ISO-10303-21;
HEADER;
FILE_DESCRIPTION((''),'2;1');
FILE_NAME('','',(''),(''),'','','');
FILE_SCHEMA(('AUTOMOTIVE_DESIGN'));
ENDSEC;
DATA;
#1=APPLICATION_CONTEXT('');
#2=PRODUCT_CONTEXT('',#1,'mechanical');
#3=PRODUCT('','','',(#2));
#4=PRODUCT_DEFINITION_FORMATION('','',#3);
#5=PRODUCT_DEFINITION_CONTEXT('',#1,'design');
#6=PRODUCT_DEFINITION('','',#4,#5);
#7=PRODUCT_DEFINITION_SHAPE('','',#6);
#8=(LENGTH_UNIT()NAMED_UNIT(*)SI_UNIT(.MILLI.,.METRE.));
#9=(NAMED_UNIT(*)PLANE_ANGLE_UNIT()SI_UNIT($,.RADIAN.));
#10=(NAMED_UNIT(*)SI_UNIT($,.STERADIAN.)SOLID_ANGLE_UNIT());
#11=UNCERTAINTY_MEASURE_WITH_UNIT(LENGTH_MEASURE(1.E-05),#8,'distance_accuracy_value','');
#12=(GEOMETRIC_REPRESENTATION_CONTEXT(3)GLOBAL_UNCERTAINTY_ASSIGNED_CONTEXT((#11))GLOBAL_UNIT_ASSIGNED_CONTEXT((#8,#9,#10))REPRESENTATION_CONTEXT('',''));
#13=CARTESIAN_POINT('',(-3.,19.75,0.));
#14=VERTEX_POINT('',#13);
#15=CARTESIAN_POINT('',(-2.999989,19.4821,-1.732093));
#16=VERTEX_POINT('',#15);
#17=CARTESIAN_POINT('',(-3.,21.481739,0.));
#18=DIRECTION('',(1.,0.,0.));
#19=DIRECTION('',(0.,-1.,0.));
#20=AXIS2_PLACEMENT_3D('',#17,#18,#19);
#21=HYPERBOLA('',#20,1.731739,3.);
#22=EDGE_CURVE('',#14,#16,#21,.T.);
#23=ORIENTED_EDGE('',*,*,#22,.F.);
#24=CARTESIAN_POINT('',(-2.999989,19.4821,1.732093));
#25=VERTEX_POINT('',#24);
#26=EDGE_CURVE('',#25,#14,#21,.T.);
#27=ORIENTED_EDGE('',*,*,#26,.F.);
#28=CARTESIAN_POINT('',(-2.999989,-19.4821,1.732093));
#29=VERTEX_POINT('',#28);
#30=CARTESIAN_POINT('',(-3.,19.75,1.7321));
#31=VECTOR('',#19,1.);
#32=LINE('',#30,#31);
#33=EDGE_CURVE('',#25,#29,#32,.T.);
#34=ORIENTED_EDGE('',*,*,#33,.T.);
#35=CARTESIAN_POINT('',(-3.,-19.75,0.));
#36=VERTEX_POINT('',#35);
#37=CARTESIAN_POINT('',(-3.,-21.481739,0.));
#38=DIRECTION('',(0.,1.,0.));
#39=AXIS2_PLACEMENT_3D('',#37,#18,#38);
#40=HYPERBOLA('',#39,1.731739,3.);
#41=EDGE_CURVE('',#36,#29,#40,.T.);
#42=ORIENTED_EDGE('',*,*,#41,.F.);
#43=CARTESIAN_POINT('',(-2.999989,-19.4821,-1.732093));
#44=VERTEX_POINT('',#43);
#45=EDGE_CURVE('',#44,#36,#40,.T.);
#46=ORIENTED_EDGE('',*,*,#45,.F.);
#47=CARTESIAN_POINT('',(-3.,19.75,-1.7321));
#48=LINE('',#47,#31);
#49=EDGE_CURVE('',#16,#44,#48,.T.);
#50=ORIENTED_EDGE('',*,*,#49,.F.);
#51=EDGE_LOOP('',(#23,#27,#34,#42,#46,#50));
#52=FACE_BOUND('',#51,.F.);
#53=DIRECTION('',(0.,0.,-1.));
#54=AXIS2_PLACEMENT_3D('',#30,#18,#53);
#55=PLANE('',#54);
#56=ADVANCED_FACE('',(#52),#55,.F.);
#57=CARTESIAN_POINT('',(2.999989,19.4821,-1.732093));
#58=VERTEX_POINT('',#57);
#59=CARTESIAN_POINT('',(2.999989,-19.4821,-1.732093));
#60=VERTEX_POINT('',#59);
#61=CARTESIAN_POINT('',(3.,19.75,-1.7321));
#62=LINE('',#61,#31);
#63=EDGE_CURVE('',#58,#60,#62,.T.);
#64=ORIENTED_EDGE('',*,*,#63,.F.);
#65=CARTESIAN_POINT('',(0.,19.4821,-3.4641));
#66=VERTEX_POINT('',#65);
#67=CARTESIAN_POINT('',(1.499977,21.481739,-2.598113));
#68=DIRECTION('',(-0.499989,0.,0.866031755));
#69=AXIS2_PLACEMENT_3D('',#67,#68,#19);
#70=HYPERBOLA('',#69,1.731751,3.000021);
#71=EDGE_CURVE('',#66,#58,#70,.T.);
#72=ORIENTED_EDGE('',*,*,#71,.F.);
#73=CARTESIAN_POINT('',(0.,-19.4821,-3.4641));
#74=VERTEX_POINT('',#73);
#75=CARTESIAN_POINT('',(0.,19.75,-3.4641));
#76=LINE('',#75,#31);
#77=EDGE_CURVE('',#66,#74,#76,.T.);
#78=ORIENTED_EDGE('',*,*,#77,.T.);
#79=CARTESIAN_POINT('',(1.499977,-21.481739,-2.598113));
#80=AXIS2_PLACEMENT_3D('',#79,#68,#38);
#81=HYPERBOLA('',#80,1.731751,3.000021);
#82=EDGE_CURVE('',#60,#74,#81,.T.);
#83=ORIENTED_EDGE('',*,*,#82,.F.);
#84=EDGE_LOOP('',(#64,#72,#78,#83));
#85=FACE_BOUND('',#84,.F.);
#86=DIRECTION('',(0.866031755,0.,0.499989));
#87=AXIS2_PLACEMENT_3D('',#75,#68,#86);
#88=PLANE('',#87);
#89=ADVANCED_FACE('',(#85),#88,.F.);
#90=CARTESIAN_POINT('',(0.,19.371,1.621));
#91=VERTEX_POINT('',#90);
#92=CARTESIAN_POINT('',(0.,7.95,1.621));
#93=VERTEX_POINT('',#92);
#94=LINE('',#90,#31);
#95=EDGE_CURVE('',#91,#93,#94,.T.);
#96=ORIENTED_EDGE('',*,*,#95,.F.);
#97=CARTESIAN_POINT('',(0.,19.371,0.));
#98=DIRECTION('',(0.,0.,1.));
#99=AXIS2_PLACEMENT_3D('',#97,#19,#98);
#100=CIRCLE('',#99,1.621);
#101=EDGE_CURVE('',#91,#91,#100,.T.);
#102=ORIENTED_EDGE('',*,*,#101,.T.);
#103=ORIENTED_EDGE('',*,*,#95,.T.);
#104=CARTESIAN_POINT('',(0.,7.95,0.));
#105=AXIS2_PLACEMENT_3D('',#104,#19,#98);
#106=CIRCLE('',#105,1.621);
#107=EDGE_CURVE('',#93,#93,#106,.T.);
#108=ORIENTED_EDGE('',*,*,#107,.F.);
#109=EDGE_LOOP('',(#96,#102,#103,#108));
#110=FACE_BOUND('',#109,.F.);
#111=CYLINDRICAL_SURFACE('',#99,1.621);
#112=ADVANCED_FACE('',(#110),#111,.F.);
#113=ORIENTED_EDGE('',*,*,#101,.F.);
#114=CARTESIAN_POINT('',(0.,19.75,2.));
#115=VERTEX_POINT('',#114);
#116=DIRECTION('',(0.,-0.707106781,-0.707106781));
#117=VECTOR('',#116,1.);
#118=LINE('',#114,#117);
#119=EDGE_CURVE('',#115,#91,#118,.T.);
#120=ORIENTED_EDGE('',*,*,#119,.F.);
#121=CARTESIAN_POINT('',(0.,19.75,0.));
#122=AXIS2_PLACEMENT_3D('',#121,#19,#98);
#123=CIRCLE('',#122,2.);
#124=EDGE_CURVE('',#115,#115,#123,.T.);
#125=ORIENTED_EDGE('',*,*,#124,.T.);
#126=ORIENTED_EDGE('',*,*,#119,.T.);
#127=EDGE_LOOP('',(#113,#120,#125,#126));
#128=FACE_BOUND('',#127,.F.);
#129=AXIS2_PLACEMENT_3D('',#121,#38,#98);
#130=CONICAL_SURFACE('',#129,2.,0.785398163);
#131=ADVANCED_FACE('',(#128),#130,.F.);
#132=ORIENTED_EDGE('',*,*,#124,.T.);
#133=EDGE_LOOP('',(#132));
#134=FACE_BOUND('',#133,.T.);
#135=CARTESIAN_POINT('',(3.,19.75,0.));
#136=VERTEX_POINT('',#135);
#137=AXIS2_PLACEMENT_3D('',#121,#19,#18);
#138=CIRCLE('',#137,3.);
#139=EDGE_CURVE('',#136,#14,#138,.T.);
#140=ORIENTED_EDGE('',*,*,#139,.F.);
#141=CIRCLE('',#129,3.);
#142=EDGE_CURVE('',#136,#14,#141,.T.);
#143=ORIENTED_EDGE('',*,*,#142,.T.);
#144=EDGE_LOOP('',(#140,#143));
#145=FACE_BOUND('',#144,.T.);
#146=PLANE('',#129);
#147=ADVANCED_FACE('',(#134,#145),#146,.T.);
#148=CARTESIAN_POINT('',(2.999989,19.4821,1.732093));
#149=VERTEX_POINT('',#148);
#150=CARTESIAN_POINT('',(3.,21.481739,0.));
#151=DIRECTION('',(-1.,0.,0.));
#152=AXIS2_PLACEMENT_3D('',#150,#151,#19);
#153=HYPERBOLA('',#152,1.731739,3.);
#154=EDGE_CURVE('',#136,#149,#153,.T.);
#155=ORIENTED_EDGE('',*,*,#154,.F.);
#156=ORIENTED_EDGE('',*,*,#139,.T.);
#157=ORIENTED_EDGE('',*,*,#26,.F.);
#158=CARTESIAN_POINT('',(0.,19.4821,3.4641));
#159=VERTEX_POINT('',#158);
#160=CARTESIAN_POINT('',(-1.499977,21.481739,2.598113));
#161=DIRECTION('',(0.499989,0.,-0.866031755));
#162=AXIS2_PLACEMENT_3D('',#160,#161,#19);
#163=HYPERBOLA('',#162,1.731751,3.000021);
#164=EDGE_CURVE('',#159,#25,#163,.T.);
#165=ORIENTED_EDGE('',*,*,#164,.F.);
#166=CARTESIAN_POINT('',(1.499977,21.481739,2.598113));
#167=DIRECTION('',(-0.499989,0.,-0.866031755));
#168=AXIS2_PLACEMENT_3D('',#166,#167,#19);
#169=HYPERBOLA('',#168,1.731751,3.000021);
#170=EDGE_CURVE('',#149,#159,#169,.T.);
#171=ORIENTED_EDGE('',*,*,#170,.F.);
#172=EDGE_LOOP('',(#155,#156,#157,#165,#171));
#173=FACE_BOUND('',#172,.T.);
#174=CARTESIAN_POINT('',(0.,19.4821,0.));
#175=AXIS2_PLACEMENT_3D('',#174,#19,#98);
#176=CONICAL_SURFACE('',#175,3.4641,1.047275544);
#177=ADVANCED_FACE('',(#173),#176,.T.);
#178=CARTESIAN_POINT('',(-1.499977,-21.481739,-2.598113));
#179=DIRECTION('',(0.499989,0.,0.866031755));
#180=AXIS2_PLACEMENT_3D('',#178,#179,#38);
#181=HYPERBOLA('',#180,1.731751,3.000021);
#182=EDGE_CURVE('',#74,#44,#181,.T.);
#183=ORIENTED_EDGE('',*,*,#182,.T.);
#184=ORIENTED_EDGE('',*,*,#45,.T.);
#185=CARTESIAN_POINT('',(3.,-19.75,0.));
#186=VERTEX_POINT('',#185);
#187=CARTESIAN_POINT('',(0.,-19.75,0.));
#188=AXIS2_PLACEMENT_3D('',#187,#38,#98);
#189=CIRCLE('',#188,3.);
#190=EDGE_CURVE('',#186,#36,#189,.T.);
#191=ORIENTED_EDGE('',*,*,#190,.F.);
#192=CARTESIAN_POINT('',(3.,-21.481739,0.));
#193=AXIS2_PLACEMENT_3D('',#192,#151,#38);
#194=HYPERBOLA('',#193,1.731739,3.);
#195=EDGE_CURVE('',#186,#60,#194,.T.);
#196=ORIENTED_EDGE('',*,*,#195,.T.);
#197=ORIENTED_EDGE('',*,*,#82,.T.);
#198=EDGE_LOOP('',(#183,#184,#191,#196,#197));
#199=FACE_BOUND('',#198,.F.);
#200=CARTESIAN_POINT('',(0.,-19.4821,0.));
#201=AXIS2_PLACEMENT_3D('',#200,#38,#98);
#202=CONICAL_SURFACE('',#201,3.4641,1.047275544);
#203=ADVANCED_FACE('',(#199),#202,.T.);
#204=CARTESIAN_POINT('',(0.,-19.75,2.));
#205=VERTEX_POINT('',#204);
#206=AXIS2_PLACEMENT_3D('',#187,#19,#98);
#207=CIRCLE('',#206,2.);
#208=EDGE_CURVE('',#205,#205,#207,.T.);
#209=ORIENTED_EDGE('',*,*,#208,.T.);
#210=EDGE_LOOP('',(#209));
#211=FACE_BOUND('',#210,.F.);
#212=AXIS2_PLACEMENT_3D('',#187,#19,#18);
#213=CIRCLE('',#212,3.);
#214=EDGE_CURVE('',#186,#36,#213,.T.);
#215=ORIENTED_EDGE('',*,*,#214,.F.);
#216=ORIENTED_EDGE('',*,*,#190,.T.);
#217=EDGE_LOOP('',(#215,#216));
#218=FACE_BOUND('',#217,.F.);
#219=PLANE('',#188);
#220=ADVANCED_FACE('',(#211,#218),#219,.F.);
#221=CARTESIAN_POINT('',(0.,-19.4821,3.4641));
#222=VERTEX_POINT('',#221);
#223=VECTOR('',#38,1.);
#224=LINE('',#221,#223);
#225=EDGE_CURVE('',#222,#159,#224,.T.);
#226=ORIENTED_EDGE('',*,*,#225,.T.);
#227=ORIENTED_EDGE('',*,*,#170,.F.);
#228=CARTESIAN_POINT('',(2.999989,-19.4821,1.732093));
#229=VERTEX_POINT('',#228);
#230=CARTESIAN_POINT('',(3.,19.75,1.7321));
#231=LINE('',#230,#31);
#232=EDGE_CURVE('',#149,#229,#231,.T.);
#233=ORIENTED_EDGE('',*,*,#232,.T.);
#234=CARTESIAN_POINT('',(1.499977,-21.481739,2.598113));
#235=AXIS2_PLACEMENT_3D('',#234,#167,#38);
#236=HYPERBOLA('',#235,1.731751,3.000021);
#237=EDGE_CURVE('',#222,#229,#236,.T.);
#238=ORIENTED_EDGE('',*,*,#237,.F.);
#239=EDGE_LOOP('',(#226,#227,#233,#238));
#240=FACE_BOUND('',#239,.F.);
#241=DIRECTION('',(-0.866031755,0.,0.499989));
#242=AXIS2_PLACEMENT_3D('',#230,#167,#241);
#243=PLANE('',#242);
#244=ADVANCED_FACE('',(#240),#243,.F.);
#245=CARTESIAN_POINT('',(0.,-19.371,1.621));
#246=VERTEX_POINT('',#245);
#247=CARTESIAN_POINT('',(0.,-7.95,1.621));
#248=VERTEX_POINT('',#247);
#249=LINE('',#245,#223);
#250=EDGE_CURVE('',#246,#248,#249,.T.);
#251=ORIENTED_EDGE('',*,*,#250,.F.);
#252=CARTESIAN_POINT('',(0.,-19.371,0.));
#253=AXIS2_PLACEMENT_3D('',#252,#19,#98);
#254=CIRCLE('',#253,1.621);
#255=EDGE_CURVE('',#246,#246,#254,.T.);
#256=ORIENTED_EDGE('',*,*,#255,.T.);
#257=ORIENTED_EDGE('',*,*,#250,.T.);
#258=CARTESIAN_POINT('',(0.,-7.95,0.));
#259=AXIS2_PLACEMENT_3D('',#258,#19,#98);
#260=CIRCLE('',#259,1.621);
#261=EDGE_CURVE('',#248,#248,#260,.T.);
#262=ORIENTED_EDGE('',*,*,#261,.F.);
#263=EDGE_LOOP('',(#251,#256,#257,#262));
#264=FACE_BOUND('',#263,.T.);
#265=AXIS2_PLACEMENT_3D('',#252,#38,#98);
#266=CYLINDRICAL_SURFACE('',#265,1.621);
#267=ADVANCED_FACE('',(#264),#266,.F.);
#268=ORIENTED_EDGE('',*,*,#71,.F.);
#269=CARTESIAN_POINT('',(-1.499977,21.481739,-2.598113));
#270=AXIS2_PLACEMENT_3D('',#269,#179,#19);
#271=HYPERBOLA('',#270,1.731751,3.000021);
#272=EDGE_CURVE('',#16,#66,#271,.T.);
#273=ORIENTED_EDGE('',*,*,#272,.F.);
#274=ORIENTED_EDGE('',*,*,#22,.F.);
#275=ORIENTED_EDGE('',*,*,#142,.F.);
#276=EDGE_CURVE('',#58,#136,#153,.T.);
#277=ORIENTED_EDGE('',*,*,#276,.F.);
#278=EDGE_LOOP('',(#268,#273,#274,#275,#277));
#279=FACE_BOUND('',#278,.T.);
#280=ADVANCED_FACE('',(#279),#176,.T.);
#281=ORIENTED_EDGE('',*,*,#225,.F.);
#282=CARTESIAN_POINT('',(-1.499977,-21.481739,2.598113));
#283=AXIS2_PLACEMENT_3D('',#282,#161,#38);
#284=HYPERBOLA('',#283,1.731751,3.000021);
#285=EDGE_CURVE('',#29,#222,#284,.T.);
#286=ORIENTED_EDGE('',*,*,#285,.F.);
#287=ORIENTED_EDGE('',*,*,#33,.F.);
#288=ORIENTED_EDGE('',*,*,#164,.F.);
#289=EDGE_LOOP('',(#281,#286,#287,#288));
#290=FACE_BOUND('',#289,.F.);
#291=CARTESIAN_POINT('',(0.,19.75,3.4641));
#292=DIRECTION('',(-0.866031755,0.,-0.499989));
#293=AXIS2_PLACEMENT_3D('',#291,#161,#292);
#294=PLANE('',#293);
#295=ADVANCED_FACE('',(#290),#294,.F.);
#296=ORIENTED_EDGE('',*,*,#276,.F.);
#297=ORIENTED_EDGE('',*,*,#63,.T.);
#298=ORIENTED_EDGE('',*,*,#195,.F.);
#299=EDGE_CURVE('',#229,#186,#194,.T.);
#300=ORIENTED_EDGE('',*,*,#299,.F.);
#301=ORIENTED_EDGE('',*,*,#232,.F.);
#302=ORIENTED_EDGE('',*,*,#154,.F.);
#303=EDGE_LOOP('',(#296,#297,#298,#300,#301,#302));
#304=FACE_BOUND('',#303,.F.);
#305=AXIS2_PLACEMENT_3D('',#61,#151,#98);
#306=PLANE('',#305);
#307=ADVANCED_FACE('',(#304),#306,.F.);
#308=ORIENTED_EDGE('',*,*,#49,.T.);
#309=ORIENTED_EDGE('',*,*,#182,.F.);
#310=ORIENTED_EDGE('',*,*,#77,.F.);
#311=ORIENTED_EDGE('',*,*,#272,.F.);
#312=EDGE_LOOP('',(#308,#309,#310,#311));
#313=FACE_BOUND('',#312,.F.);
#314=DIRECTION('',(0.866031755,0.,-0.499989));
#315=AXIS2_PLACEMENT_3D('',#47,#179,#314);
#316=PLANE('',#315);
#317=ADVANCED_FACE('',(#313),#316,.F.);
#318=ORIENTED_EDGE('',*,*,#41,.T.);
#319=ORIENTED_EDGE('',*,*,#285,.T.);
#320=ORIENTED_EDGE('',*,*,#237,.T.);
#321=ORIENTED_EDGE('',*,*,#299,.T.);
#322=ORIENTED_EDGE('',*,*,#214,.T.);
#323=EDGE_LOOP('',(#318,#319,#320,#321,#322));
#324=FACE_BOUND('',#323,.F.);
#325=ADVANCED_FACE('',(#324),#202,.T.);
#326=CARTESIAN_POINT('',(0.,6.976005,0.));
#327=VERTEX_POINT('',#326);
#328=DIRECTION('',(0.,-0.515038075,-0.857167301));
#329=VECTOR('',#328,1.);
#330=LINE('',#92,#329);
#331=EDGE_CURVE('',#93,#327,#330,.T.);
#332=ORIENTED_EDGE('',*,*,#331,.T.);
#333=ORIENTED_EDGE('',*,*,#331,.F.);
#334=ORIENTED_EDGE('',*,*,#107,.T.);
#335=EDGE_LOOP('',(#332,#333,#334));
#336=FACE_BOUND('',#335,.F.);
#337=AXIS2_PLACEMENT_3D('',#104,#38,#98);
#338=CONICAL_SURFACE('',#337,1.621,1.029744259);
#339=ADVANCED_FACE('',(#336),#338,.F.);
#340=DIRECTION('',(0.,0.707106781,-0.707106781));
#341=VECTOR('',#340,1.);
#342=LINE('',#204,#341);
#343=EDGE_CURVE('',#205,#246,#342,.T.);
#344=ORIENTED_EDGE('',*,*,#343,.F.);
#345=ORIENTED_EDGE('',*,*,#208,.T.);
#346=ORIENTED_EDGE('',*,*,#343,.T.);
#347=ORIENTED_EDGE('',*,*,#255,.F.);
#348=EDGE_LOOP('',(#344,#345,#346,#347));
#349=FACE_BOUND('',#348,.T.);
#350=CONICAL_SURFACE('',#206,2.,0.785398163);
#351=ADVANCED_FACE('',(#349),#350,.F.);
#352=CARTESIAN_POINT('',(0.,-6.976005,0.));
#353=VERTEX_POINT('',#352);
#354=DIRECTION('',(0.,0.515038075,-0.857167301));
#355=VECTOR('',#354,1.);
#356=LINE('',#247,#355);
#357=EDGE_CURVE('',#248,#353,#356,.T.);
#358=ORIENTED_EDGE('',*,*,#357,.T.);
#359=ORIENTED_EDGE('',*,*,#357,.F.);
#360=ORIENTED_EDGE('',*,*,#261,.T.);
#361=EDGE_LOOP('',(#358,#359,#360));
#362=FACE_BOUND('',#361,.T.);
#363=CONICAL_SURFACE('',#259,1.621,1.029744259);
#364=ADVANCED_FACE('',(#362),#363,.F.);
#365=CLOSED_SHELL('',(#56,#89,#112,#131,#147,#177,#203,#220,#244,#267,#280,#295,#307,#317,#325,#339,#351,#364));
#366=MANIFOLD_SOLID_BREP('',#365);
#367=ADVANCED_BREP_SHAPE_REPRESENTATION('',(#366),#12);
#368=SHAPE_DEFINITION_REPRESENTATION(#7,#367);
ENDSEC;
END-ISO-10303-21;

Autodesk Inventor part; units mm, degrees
ref_plane "YZ Plane" through (0, 0, 0) normal (1, 0, 0) x (0, 1, 0)
ref_plane "XZ Plane" through (0, 0, 0) normal (0, 1, 0) x (-1, 0, 0)
ref_plane "XY Plane" through (0, 0, 0) normal (0, 0, 1) x (1, 0, 0)
sketch "スケッチ1" plane through (0, 0, 0) normal (1, 0, 0) x (0, 1, 0)
  line L0 (-19.75, 0) -> (19.75, 0)
  line L1 (0, 0) -> (0, 3.4641) construction
  line L2 (-19.4821, 3.4641) -> (-19.75, 3)
  line L3 (-19.75, 3) -> (-19.75, 0)
  line L4 (-19.4821, 3.4641) -> (19.4821, 3.4641)
  line L5 (19.4821, 3.4641) -> (19.75, 3)
  line L6 (19.75, 3) -> (19.75, 0)
  dimension "d1" = 3
  dimension "d2" = 3.4641
  dimension "d3" = 30
  dimension "d4" = 39.5
revolve "回転1" add sketch "スケッチ1" angle 360 about axis through (0, -19.75, 0) along (0, 1, 0)
sketch "スケッチ2" plane through (0, 19.75, 0) normal (0, 1, 0) x (1, 0, 0)
  circle A0 centre (0, 0) radius 3.4641 projected
  line L0 (0, -3.4641) -> (-3, -1.7321)
  line L1 (-3, -1.7321) -> (-3, 1.7321)
  line L2 (-3, 1.7321) -> (0, 3.4641)
  line L3 (0, 3.4641) -> (3, 1.7321)
  line L4 (3, 1.7321) -> (3, -1.7321)
  line L5 (3, -1.7321) -> (0, -3.4641)
  point P0 (0, 0)
  point P1 (0, 0)
  point P2 (3, -1.7321)
  point P3 (3, -1.7321)
  point P4 (3, 1.7321)
  point P5 (3, 1.7321)
  point P6 (0, 3.4641)
  point P7 (0, 3.4641)
  point P8 (-3, 1.7321)
  point P9 (-3, 1.7321)
  point P10 (-3, -1.7321)
  point P11 (-3, -1.7321)
  point P12 (0, 0)
extrude "押し出し1" cut sketch "スケッチ2" against normal through all contours A0 L4 | L3 A0 | A0 L5 | L2 A0 | A0 L0 | L1 A0
hole "穴1" at (0, 19.75, 0) direction (0, -1, 0) diameter 3.242 depth 11.8 tip angle 118 countersink diameter 4 countersink angle 90 thread size "M4x0.7" class "6H" standard "ISO Metric profile"
mirror "ミラー1" about plane through (0, 0, 0) normal (0, 1, 0) of "穴1"
equation "\"d2\" = 1.1547 * d1"
properties part number "SLSBF6-39.5-M4-N4" material "ステンレス鋼 AISI 304"
